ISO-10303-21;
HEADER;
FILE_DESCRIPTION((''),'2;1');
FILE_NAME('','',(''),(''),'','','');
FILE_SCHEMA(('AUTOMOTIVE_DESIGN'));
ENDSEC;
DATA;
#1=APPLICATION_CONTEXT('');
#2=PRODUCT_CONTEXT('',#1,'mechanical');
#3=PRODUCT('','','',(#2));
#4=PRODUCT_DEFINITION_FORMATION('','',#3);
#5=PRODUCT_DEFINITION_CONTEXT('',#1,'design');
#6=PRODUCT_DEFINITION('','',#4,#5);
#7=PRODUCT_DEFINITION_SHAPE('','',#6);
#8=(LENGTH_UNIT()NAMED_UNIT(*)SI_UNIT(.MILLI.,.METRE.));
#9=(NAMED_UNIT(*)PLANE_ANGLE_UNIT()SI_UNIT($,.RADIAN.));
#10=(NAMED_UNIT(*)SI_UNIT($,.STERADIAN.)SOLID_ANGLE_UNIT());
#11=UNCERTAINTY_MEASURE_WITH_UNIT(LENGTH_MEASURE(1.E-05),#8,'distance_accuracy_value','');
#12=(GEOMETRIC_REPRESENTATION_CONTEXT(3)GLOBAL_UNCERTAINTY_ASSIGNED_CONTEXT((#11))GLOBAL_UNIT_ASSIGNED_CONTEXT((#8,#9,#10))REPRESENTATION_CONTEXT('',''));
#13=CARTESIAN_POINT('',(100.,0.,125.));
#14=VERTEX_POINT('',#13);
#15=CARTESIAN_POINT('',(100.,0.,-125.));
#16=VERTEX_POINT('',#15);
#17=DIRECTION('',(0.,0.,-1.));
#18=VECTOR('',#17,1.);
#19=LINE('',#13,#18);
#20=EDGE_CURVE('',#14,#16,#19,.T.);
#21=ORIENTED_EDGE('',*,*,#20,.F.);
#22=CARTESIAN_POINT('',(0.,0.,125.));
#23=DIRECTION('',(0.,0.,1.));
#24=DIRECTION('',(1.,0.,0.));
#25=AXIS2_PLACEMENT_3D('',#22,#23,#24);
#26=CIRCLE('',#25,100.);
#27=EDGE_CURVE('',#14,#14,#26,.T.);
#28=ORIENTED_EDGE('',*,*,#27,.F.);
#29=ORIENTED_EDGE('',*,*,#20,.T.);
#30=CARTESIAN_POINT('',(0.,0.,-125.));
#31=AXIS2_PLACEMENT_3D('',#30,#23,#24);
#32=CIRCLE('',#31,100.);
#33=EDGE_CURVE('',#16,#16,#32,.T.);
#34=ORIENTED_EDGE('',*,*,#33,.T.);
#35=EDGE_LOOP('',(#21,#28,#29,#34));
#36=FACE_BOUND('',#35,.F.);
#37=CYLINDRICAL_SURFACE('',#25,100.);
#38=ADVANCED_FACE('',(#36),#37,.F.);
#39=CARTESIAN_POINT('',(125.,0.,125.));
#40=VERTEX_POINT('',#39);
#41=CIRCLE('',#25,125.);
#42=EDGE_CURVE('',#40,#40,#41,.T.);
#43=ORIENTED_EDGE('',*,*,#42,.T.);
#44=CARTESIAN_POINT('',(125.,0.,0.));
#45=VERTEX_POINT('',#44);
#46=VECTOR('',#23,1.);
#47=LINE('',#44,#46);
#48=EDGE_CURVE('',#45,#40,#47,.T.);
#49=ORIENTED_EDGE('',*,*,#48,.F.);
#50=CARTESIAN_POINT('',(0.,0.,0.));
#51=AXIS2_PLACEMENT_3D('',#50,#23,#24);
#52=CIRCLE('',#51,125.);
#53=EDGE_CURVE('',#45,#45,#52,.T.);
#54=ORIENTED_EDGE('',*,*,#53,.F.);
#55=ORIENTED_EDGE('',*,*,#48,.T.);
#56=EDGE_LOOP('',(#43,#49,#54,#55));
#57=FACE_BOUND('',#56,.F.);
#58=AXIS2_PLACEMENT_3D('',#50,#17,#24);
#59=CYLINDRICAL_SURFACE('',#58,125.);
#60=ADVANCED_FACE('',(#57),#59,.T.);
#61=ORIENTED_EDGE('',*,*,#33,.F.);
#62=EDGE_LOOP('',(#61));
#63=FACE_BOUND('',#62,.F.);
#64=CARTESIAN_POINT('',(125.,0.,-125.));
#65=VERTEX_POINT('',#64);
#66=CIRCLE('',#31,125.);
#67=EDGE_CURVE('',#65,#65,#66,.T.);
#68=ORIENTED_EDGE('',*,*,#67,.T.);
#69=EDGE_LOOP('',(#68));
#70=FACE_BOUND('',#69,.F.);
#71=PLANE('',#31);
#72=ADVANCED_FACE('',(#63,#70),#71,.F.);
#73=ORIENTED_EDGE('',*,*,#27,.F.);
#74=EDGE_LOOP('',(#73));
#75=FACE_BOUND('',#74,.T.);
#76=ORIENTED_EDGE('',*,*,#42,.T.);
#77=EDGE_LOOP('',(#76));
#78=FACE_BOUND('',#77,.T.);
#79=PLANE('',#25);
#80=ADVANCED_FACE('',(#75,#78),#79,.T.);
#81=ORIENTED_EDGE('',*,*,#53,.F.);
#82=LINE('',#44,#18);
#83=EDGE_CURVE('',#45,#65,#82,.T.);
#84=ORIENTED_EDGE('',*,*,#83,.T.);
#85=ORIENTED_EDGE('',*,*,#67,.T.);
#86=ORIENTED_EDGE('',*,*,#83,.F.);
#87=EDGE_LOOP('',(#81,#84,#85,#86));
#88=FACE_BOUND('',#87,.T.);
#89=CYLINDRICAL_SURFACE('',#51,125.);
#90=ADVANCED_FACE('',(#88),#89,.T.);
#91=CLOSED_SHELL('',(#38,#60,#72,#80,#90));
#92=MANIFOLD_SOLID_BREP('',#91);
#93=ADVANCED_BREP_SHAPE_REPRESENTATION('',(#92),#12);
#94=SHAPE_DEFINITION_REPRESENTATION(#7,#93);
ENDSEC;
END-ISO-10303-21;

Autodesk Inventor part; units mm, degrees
ref_plane "YZ Plane" through (0, 0, 0) normal (1, 0, 0) x (0, 1, 0)
ref_plane "XZ Plane" through (0, 0, 0) normal (0, 1, 0) x (-1, 0, 0)
ref_plane "XY Plane" through (0, 0, 0) normal (0, 0, 1) x (1, 0, 0)
sketch "Sketch1" plane through (0, 0, 0) normal (0, 0, 1) x (1, 0, 0)
  circle A0 centre (0, 0) radius 125
  dimension "d0" = 250
extrude "Extrusion1" add sketch "Sketch1" along normal mid plane 250
sketch "Sketch2" plane through (0, 0, 125) normal (0, 0, 1) x (1, 0, 0)
  circle A0 centre (0, 0) radius 100
  dimension "d3" = 200
extrude "Extrusion2" cut sketch "Sketch2" against normal through all
properties part number "AGBL02"
